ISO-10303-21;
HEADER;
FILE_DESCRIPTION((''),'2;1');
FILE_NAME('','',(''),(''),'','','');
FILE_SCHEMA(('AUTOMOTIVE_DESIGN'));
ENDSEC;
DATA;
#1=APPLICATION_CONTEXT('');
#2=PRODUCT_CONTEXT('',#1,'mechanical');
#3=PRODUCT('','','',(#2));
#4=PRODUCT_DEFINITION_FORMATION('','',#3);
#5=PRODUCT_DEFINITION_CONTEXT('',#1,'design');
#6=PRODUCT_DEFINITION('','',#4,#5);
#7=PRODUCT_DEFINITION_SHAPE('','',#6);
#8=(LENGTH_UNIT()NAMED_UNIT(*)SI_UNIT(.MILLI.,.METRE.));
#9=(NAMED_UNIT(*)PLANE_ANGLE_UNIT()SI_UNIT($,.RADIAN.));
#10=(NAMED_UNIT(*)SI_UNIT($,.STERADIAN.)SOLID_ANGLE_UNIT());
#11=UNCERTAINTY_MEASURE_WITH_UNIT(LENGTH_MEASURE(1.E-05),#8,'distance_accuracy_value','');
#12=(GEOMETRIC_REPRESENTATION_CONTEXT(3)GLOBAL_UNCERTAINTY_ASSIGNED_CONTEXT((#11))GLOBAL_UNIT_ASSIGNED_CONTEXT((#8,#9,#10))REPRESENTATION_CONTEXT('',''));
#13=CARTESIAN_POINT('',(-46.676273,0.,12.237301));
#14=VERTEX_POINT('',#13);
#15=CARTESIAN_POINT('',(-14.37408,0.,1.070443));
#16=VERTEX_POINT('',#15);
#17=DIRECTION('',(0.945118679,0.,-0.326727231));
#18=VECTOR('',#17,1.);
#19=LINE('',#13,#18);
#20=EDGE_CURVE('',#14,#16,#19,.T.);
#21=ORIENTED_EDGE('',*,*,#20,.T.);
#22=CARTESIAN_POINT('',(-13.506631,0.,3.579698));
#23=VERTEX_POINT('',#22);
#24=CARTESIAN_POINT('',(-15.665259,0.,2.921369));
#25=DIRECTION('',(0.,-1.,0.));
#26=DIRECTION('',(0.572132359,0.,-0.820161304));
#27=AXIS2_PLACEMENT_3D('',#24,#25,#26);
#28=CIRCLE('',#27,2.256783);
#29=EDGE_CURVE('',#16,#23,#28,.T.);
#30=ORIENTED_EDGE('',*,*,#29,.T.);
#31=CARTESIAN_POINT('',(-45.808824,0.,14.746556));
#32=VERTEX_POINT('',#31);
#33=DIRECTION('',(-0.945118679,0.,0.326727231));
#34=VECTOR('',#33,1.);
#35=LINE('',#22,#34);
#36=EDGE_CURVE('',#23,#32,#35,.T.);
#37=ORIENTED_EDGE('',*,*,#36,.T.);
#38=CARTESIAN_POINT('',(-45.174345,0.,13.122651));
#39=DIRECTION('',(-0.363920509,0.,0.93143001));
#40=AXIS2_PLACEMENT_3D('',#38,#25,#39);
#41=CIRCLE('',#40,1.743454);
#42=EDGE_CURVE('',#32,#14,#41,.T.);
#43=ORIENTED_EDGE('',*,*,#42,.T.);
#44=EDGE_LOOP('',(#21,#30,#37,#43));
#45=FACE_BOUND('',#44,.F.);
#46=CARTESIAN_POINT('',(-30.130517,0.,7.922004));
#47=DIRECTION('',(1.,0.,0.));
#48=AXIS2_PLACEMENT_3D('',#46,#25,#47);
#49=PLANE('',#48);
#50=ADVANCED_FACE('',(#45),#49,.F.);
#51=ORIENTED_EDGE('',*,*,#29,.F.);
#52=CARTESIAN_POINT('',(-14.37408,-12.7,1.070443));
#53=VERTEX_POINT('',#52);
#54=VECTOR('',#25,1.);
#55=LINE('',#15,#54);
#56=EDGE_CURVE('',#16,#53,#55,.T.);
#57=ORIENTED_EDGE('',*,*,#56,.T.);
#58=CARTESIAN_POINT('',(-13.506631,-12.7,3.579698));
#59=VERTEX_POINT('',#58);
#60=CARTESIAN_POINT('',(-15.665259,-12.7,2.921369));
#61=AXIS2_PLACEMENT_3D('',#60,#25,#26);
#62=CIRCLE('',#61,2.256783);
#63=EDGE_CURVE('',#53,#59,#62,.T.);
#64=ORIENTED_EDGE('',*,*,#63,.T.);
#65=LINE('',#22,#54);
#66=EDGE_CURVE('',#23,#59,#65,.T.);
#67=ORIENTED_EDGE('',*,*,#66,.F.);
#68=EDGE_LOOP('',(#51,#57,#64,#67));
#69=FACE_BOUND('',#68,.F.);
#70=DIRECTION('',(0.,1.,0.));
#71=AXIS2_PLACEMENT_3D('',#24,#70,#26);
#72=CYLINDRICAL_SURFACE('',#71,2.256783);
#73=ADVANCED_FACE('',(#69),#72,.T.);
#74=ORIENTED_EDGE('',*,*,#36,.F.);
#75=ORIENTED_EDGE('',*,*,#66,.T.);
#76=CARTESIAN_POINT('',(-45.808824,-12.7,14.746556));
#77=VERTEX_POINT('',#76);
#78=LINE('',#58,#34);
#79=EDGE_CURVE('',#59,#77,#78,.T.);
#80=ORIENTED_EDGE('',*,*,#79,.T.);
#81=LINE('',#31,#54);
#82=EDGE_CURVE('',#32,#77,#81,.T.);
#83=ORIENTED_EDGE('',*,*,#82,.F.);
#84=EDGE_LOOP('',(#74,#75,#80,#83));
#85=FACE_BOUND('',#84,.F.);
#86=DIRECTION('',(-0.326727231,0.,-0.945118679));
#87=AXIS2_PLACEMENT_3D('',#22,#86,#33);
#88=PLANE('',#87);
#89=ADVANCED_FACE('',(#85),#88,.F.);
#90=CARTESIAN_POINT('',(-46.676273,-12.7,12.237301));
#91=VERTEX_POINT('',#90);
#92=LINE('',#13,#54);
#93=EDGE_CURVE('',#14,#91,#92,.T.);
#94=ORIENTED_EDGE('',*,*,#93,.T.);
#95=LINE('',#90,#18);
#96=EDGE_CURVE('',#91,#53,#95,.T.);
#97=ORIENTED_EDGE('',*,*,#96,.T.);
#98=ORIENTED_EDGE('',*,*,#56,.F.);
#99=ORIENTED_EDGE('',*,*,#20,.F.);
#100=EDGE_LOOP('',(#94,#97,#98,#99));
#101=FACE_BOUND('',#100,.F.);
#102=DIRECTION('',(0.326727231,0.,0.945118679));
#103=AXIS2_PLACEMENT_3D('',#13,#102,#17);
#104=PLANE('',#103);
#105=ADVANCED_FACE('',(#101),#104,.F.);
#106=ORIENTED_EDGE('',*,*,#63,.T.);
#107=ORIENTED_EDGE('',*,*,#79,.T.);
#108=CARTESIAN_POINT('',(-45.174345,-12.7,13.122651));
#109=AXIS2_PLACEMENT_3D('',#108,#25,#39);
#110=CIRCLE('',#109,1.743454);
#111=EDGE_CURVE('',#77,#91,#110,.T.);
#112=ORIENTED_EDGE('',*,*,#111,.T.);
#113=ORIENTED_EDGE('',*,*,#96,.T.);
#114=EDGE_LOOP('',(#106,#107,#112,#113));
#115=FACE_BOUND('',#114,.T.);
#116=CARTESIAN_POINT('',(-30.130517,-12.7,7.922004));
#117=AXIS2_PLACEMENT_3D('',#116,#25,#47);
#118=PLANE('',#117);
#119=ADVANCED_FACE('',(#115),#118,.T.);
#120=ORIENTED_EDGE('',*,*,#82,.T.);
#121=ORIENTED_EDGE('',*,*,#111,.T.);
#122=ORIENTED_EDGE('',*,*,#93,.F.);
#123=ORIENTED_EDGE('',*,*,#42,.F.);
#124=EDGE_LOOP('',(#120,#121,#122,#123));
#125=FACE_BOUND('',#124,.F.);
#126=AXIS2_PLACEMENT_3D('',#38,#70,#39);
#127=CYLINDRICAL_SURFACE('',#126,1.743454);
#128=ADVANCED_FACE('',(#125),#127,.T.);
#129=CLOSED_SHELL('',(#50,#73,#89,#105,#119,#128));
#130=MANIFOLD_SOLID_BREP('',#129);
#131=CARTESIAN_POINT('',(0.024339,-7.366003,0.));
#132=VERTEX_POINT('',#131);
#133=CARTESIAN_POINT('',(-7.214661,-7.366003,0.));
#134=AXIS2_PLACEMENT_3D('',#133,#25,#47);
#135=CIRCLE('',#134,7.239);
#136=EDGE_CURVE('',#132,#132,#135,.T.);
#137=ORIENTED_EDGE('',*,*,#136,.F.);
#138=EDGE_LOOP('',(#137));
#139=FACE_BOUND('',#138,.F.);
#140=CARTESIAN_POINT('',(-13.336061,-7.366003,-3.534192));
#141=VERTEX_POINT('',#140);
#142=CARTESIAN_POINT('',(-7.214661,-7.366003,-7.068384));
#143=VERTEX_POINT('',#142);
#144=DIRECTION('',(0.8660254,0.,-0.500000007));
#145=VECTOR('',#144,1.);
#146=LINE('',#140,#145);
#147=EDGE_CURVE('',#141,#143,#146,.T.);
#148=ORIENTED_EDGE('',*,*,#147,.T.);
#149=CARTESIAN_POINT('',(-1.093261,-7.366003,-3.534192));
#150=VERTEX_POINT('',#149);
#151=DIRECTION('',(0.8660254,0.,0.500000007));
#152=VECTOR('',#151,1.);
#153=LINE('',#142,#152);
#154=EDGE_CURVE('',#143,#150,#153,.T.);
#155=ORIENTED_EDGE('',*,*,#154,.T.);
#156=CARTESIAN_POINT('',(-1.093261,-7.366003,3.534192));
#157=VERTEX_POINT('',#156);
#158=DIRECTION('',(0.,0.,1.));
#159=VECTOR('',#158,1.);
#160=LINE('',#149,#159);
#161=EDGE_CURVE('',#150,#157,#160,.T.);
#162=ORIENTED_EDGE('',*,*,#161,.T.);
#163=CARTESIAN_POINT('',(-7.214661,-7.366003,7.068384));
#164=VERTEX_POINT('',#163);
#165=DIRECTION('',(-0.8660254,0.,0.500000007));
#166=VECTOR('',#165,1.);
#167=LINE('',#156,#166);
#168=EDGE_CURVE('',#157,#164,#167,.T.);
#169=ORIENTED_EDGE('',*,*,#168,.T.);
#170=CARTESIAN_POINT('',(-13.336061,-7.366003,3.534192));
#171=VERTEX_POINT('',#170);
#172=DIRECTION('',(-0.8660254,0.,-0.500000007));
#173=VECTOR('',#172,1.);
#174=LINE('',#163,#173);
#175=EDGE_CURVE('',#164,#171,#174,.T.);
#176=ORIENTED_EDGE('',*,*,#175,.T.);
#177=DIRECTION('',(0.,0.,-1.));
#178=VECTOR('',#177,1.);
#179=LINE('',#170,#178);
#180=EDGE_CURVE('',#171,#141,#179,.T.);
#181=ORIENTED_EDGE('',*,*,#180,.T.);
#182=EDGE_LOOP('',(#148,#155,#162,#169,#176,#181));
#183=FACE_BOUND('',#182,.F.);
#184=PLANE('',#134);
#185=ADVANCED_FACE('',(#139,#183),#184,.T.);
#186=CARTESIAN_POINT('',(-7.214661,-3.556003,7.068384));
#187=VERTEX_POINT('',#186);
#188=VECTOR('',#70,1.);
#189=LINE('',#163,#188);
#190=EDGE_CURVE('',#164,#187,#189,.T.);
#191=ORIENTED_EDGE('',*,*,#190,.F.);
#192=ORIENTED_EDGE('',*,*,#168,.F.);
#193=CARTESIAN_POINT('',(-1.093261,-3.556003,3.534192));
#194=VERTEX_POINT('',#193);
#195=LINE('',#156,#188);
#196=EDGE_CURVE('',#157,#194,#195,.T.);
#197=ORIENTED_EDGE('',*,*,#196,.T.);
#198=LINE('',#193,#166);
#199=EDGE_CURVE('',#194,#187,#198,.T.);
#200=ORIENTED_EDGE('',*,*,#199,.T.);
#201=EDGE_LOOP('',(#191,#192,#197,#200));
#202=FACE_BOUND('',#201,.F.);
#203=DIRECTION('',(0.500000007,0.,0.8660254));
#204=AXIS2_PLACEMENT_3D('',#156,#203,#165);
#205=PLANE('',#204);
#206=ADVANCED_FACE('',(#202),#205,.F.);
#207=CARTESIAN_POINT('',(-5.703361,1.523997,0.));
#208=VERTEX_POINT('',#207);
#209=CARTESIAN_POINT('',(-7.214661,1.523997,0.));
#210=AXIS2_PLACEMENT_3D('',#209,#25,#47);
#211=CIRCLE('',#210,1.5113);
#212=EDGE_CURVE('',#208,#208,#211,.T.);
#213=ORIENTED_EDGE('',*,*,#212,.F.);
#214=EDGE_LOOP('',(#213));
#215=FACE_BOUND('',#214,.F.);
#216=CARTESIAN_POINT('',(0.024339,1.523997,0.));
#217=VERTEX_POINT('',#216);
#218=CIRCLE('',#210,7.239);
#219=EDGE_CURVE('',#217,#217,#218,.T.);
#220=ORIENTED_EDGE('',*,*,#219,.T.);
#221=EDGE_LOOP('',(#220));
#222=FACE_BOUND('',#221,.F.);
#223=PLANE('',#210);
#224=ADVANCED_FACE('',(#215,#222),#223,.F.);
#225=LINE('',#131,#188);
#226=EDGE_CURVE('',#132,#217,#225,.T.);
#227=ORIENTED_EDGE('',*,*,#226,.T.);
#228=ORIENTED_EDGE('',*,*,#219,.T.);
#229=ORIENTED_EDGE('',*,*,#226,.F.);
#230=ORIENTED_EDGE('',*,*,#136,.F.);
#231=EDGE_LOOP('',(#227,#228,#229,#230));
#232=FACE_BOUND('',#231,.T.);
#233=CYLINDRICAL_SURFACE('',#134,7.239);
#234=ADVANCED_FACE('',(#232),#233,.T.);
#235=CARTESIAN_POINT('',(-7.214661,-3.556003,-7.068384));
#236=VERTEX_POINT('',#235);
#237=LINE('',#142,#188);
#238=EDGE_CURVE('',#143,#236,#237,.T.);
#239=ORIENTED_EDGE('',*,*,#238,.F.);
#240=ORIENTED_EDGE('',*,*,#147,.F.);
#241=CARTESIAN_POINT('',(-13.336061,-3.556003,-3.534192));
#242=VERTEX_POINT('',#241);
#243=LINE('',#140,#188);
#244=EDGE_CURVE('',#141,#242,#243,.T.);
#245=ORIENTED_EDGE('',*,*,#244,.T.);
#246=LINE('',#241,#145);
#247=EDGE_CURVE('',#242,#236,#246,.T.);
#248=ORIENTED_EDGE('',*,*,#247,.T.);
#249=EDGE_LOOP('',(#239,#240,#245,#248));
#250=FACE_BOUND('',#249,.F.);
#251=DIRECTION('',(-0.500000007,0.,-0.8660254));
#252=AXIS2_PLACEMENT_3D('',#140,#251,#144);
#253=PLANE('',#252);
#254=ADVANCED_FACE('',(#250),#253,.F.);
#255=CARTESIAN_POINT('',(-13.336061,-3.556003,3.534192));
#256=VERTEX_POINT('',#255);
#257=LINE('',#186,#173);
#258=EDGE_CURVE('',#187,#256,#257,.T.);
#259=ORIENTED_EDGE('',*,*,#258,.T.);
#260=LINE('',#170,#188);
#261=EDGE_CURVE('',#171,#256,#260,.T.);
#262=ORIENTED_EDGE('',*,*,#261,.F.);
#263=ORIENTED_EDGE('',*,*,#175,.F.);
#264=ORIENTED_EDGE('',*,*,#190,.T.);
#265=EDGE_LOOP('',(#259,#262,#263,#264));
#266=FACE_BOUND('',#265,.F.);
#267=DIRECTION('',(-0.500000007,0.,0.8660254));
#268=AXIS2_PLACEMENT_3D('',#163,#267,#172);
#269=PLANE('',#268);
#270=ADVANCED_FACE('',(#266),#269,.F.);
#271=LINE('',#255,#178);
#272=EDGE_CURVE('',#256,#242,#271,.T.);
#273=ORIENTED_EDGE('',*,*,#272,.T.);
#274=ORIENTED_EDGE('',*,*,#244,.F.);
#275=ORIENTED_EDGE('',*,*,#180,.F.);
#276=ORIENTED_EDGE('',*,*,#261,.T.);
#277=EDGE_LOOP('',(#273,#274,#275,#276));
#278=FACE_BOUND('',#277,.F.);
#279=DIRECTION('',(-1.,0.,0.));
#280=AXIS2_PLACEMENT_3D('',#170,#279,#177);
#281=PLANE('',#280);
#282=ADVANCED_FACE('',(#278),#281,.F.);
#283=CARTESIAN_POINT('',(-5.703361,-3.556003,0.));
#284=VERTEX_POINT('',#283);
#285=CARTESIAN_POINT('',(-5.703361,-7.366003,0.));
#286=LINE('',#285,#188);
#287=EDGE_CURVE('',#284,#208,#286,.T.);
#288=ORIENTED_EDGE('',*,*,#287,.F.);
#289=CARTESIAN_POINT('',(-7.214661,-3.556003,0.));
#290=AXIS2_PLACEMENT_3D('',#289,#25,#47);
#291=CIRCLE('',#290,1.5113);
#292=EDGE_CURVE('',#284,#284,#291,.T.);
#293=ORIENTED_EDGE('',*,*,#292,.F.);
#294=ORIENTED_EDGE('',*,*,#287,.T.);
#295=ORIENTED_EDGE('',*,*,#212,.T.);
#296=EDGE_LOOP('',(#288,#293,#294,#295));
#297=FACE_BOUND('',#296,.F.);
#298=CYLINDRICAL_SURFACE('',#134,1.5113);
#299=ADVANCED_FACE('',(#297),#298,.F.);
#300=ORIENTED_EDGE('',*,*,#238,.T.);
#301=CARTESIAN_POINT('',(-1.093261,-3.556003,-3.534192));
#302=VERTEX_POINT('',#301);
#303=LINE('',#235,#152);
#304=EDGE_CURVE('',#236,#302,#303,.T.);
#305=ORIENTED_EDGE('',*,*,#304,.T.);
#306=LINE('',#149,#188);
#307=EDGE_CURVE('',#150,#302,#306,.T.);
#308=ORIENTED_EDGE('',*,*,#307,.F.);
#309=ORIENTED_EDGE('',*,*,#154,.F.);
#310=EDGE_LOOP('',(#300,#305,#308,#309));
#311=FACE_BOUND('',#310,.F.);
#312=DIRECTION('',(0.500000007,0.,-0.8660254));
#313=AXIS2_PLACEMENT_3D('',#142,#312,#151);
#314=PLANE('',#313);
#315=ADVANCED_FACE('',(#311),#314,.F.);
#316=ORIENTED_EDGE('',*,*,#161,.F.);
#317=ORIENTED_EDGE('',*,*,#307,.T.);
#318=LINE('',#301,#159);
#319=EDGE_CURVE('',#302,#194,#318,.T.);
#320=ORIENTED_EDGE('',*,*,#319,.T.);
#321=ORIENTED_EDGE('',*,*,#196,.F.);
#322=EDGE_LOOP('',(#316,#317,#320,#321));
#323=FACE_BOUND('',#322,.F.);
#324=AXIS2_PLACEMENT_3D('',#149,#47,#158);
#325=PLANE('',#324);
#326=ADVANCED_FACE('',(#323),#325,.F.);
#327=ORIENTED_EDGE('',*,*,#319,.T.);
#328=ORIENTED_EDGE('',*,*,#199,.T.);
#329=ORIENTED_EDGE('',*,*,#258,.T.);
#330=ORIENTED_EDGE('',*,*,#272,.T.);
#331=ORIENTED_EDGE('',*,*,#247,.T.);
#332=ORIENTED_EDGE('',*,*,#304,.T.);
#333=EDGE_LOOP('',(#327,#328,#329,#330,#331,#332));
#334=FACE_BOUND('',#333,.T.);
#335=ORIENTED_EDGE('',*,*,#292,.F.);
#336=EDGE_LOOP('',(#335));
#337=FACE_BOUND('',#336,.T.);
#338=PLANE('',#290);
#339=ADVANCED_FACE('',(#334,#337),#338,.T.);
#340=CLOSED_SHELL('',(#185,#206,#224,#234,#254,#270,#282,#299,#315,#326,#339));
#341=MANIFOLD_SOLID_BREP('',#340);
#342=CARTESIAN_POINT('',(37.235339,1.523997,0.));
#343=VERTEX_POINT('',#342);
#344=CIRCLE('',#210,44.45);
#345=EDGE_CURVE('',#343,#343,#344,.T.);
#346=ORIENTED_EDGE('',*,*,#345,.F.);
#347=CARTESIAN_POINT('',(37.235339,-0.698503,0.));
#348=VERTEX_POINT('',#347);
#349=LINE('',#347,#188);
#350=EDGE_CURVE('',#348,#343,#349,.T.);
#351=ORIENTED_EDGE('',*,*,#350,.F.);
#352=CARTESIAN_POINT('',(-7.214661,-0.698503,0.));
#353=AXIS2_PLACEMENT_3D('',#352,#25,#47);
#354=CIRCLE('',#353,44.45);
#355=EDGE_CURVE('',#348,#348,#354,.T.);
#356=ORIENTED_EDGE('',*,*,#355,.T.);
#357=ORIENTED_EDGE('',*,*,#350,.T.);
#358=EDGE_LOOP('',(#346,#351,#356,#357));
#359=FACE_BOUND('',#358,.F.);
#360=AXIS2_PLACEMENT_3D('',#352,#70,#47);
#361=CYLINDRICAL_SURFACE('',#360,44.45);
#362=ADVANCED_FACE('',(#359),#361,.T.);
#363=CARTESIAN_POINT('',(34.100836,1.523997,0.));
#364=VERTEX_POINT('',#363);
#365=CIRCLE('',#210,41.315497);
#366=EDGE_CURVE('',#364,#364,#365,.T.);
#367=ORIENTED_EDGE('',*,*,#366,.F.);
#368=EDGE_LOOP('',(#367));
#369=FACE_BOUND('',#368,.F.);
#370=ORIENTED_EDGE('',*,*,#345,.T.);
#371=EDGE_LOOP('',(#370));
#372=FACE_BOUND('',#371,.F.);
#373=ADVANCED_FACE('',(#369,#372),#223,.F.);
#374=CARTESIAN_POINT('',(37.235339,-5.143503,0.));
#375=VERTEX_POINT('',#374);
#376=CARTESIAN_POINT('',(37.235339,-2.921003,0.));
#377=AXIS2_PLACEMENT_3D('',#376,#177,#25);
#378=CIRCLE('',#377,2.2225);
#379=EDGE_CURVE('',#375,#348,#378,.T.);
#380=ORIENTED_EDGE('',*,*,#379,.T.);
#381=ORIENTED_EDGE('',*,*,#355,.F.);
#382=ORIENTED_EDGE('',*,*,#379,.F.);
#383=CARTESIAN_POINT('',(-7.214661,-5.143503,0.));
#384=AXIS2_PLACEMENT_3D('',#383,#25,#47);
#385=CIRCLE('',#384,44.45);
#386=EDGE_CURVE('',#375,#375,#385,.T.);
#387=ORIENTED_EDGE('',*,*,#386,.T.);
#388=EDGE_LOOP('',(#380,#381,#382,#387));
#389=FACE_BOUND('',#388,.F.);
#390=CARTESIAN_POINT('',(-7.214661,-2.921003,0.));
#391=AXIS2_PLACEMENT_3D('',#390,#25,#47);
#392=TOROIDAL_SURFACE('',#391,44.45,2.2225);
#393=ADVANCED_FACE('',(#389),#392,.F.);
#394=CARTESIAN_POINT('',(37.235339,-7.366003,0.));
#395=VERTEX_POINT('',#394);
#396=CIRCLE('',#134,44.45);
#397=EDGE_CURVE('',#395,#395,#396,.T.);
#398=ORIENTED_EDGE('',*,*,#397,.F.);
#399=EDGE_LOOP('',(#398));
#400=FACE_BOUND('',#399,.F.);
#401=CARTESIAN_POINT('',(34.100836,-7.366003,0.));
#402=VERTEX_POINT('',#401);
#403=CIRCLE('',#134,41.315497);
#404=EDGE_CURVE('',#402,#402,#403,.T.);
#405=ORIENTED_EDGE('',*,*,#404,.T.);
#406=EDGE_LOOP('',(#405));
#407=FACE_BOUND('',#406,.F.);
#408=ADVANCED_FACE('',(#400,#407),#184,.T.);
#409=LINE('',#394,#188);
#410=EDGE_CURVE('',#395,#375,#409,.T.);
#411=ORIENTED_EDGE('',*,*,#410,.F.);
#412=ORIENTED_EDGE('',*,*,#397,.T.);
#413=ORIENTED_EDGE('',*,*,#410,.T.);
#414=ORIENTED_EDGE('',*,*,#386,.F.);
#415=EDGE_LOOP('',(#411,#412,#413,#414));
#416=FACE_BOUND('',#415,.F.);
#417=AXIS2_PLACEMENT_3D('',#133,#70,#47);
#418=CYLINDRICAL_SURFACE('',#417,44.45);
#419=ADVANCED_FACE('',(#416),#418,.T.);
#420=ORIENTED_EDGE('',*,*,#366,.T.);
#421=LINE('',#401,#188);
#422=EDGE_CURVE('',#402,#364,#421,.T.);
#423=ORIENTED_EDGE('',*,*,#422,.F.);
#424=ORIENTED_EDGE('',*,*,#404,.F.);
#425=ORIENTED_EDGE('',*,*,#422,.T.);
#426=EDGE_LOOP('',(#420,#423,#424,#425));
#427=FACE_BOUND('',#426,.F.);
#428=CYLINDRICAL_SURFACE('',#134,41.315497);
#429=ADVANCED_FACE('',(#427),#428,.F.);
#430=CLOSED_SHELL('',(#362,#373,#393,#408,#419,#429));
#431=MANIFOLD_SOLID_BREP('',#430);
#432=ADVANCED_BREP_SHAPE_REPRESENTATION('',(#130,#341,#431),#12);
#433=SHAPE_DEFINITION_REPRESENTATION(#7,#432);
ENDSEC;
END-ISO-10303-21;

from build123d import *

# Parameters (mm, degrees)
F2_R     = 41.315497
F2_R_2   = 7.239
F3_DEPTH = 25.4
F2_R_3   = 1.5113
F4_DEPTH = 3.81
F5_DEPTH = 127
F7_DEPTH = 12.7


with BuildPart() as f1:
    # F0 (on Top) → F1 (revolve)
    with BuildSketch(Plane.XY):
        with BuildLine():
            Line((37.235339, 1.523997), (30.885339, 1.523997))
            Line((30.885339, 1.523997), (30.885339, -7.366003))
            Line((30.885339, -7.366003), (37.235339, -7.366003))
            Line((37.235339, -7.366003), (37.235339, -5.143503))
            ThreePointArc((37.235339, -5.143503), (35.012839, -2.921003), (37.235339, -0.698503))
            Line((37.235339, -0.698503), (37.235339, 1.523997))
        make_face()
        Polygon((1.421339, 1.523997), (-7.214661, 1.523997), (-7.214661, -7.366003), (1.421339, -7.366003), (30.885339, -7.366003), (30.885339, 1.523997), align=None)
    revolve(axis=Axis((-7.214661, -2.921003, 0), (0, -1, 0)))

    # F2 (on face) → F3 (cut)
    with BuildSketch(Plane.XZ.offset(7.366003)):
        with Locations((-7.214661, 0)):
            Circle(F2_R)
        with Locations((-7.214661, 0)):
            Circle(F2_R_2, mode=Mode.SUBTRACT)
    extrude(amount=-F3_DEPTH, mode=Mode.SUBTRACT)

    # F2 (on face) → F4 (cut)
    with BuildSketch(Plane.XZ.offset(7.366003)):
        Polygon((-1.093261, -3.534192), (-1.093261, 3.534192), (-7.214661, 7.068384), (-13.336061, 3.534192), (-13.336061, -3.534192), (-7.214661, -7.068384), align=None)
        with Locations((-7.214661, 0)):
            Circle(F2_R_3, mode=Mode.SUBTRACT)
    extrude(amount=-F4_DEPTH, mode=Mode.SUBTRACT)

    # F2 (on face) → F5 (cut)
    with BuildSketch(Plane.XZ.offset(7.366003)):
        with Locations((-7.214661, 0)):
            Circle(F2_R_3)
    extrude(amount=-F5_DEPTH, mode=Mode.SUBTRACT)


with BuildPart() as f7:
    # F6 (on Front) → F7 (new body)
    with BuildSketch(Plane.XZ):
        with BuildLine():
            ThreePointArc((-14.37408, 1.070443), (-13.532331, 2.184016), (-13.506631, 3.579698))
            Line((-13.506631, 3.579698), (-45.808824, 14.746556))
            ThreePointArc((-45.808824, 14.746556), (-46.822116, 13.692285), (-46.676273, 12.237301))
            Line((-46.676273, 12.237301), (-14.37408, 1.070443))
        make_face()
    extrude(amount=F7_DEPTH)


solid = Compound([f1.part, f7.part])
